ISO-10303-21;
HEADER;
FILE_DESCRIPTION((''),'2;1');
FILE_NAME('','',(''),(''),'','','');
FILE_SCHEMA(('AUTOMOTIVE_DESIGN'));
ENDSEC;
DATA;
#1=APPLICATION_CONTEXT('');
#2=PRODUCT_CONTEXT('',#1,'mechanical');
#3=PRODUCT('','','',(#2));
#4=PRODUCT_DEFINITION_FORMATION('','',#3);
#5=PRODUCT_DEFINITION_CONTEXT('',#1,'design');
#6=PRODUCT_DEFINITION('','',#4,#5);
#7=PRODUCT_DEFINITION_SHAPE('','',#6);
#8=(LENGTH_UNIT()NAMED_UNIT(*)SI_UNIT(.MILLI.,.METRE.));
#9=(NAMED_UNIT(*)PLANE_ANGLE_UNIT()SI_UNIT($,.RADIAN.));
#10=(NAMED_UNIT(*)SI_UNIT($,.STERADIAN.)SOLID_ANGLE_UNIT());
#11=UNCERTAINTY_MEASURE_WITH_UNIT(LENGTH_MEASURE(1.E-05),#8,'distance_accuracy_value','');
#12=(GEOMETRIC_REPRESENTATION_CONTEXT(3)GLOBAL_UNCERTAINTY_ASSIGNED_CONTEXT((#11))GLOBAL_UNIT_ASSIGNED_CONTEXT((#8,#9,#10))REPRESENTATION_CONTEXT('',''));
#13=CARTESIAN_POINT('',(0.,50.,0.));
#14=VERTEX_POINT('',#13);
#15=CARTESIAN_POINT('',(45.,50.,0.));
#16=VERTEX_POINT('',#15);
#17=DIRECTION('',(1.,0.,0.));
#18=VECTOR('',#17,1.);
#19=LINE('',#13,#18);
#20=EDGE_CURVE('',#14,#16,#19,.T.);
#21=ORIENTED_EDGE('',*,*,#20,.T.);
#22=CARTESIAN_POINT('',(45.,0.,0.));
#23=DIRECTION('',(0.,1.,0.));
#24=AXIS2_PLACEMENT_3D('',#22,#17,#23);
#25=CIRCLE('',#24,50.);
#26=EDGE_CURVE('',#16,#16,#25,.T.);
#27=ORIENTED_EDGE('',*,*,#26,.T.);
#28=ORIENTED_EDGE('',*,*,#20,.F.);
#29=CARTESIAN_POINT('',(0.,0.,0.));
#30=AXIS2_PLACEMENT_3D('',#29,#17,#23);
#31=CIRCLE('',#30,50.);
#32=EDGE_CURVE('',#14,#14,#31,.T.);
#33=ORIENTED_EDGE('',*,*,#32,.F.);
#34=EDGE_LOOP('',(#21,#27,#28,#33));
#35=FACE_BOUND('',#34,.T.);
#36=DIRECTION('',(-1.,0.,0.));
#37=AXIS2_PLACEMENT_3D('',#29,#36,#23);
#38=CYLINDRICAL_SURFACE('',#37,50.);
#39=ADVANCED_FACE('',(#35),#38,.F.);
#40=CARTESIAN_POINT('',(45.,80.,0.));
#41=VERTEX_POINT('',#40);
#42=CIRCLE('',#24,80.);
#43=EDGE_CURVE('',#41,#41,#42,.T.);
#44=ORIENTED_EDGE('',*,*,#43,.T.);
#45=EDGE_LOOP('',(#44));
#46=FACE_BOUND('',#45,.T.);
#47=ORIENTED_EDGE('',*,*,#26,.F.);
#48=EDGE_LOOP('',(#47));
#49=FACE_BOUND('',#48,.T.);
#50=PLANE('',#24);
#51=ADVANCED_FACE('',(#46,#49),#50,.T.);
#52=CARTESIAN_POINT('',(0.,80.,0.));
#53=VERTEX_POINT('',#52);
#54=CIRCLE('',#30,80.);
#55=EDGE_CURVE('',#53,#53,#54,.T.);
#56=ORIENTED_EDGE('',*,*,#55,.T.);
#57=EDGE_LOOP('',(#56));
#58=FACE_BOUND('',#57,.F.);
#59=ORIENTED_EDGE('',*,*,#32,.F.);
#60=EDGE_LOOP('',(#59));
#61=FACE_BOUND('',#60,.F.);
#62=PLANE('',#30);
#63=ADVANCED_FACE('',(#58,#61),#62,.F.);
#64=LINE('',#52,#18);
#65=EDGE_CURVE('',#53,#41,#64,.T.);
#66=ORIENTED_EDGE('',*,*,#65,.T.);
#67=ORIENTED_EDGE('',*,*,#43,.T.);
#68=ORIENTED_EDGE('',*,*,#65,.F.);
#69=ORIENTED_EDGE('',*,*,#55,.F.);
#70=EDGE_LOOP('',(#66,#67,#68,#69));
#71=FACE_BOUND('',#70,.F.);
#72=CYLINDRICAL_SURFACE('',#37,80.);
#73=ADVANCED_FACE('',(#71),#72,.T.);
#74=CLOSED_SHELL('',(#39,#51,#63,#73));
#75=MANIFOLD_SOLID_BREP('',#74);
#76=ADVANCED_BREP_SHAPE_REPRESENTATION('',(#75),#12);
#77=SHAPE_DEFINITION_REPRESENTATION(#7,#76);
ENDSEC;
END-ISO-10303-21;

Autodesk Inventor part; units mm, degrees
ref_plane "YZ Plane" through (0, 0, 0) normal (1, 0, 0) x (0, 1, 0)
ref_plane "XZ Plane" through (0, 0, 0) normal (0, 1, 0) x (-1, 0, 0)
ref_plane "XY Plane" through (0, 0, 0) normal (0, 0, 1) x (1, 0, 0)
sketch "Sketch1" plane through (0, 0, 0) normal (1, 0, 0) x (0, 1, 0)
  circle A0 centre (0, 0) radius 50
  circle A1 centre (0, 0) radius 80
  dimension "d0" = 100
  dimension "d1" = 160
extrude "Extrusion1" add sketch "Sketch1" along normal blind 45
properties part number "Spaziamento2-3ipt" material "Steel, Alloy"
